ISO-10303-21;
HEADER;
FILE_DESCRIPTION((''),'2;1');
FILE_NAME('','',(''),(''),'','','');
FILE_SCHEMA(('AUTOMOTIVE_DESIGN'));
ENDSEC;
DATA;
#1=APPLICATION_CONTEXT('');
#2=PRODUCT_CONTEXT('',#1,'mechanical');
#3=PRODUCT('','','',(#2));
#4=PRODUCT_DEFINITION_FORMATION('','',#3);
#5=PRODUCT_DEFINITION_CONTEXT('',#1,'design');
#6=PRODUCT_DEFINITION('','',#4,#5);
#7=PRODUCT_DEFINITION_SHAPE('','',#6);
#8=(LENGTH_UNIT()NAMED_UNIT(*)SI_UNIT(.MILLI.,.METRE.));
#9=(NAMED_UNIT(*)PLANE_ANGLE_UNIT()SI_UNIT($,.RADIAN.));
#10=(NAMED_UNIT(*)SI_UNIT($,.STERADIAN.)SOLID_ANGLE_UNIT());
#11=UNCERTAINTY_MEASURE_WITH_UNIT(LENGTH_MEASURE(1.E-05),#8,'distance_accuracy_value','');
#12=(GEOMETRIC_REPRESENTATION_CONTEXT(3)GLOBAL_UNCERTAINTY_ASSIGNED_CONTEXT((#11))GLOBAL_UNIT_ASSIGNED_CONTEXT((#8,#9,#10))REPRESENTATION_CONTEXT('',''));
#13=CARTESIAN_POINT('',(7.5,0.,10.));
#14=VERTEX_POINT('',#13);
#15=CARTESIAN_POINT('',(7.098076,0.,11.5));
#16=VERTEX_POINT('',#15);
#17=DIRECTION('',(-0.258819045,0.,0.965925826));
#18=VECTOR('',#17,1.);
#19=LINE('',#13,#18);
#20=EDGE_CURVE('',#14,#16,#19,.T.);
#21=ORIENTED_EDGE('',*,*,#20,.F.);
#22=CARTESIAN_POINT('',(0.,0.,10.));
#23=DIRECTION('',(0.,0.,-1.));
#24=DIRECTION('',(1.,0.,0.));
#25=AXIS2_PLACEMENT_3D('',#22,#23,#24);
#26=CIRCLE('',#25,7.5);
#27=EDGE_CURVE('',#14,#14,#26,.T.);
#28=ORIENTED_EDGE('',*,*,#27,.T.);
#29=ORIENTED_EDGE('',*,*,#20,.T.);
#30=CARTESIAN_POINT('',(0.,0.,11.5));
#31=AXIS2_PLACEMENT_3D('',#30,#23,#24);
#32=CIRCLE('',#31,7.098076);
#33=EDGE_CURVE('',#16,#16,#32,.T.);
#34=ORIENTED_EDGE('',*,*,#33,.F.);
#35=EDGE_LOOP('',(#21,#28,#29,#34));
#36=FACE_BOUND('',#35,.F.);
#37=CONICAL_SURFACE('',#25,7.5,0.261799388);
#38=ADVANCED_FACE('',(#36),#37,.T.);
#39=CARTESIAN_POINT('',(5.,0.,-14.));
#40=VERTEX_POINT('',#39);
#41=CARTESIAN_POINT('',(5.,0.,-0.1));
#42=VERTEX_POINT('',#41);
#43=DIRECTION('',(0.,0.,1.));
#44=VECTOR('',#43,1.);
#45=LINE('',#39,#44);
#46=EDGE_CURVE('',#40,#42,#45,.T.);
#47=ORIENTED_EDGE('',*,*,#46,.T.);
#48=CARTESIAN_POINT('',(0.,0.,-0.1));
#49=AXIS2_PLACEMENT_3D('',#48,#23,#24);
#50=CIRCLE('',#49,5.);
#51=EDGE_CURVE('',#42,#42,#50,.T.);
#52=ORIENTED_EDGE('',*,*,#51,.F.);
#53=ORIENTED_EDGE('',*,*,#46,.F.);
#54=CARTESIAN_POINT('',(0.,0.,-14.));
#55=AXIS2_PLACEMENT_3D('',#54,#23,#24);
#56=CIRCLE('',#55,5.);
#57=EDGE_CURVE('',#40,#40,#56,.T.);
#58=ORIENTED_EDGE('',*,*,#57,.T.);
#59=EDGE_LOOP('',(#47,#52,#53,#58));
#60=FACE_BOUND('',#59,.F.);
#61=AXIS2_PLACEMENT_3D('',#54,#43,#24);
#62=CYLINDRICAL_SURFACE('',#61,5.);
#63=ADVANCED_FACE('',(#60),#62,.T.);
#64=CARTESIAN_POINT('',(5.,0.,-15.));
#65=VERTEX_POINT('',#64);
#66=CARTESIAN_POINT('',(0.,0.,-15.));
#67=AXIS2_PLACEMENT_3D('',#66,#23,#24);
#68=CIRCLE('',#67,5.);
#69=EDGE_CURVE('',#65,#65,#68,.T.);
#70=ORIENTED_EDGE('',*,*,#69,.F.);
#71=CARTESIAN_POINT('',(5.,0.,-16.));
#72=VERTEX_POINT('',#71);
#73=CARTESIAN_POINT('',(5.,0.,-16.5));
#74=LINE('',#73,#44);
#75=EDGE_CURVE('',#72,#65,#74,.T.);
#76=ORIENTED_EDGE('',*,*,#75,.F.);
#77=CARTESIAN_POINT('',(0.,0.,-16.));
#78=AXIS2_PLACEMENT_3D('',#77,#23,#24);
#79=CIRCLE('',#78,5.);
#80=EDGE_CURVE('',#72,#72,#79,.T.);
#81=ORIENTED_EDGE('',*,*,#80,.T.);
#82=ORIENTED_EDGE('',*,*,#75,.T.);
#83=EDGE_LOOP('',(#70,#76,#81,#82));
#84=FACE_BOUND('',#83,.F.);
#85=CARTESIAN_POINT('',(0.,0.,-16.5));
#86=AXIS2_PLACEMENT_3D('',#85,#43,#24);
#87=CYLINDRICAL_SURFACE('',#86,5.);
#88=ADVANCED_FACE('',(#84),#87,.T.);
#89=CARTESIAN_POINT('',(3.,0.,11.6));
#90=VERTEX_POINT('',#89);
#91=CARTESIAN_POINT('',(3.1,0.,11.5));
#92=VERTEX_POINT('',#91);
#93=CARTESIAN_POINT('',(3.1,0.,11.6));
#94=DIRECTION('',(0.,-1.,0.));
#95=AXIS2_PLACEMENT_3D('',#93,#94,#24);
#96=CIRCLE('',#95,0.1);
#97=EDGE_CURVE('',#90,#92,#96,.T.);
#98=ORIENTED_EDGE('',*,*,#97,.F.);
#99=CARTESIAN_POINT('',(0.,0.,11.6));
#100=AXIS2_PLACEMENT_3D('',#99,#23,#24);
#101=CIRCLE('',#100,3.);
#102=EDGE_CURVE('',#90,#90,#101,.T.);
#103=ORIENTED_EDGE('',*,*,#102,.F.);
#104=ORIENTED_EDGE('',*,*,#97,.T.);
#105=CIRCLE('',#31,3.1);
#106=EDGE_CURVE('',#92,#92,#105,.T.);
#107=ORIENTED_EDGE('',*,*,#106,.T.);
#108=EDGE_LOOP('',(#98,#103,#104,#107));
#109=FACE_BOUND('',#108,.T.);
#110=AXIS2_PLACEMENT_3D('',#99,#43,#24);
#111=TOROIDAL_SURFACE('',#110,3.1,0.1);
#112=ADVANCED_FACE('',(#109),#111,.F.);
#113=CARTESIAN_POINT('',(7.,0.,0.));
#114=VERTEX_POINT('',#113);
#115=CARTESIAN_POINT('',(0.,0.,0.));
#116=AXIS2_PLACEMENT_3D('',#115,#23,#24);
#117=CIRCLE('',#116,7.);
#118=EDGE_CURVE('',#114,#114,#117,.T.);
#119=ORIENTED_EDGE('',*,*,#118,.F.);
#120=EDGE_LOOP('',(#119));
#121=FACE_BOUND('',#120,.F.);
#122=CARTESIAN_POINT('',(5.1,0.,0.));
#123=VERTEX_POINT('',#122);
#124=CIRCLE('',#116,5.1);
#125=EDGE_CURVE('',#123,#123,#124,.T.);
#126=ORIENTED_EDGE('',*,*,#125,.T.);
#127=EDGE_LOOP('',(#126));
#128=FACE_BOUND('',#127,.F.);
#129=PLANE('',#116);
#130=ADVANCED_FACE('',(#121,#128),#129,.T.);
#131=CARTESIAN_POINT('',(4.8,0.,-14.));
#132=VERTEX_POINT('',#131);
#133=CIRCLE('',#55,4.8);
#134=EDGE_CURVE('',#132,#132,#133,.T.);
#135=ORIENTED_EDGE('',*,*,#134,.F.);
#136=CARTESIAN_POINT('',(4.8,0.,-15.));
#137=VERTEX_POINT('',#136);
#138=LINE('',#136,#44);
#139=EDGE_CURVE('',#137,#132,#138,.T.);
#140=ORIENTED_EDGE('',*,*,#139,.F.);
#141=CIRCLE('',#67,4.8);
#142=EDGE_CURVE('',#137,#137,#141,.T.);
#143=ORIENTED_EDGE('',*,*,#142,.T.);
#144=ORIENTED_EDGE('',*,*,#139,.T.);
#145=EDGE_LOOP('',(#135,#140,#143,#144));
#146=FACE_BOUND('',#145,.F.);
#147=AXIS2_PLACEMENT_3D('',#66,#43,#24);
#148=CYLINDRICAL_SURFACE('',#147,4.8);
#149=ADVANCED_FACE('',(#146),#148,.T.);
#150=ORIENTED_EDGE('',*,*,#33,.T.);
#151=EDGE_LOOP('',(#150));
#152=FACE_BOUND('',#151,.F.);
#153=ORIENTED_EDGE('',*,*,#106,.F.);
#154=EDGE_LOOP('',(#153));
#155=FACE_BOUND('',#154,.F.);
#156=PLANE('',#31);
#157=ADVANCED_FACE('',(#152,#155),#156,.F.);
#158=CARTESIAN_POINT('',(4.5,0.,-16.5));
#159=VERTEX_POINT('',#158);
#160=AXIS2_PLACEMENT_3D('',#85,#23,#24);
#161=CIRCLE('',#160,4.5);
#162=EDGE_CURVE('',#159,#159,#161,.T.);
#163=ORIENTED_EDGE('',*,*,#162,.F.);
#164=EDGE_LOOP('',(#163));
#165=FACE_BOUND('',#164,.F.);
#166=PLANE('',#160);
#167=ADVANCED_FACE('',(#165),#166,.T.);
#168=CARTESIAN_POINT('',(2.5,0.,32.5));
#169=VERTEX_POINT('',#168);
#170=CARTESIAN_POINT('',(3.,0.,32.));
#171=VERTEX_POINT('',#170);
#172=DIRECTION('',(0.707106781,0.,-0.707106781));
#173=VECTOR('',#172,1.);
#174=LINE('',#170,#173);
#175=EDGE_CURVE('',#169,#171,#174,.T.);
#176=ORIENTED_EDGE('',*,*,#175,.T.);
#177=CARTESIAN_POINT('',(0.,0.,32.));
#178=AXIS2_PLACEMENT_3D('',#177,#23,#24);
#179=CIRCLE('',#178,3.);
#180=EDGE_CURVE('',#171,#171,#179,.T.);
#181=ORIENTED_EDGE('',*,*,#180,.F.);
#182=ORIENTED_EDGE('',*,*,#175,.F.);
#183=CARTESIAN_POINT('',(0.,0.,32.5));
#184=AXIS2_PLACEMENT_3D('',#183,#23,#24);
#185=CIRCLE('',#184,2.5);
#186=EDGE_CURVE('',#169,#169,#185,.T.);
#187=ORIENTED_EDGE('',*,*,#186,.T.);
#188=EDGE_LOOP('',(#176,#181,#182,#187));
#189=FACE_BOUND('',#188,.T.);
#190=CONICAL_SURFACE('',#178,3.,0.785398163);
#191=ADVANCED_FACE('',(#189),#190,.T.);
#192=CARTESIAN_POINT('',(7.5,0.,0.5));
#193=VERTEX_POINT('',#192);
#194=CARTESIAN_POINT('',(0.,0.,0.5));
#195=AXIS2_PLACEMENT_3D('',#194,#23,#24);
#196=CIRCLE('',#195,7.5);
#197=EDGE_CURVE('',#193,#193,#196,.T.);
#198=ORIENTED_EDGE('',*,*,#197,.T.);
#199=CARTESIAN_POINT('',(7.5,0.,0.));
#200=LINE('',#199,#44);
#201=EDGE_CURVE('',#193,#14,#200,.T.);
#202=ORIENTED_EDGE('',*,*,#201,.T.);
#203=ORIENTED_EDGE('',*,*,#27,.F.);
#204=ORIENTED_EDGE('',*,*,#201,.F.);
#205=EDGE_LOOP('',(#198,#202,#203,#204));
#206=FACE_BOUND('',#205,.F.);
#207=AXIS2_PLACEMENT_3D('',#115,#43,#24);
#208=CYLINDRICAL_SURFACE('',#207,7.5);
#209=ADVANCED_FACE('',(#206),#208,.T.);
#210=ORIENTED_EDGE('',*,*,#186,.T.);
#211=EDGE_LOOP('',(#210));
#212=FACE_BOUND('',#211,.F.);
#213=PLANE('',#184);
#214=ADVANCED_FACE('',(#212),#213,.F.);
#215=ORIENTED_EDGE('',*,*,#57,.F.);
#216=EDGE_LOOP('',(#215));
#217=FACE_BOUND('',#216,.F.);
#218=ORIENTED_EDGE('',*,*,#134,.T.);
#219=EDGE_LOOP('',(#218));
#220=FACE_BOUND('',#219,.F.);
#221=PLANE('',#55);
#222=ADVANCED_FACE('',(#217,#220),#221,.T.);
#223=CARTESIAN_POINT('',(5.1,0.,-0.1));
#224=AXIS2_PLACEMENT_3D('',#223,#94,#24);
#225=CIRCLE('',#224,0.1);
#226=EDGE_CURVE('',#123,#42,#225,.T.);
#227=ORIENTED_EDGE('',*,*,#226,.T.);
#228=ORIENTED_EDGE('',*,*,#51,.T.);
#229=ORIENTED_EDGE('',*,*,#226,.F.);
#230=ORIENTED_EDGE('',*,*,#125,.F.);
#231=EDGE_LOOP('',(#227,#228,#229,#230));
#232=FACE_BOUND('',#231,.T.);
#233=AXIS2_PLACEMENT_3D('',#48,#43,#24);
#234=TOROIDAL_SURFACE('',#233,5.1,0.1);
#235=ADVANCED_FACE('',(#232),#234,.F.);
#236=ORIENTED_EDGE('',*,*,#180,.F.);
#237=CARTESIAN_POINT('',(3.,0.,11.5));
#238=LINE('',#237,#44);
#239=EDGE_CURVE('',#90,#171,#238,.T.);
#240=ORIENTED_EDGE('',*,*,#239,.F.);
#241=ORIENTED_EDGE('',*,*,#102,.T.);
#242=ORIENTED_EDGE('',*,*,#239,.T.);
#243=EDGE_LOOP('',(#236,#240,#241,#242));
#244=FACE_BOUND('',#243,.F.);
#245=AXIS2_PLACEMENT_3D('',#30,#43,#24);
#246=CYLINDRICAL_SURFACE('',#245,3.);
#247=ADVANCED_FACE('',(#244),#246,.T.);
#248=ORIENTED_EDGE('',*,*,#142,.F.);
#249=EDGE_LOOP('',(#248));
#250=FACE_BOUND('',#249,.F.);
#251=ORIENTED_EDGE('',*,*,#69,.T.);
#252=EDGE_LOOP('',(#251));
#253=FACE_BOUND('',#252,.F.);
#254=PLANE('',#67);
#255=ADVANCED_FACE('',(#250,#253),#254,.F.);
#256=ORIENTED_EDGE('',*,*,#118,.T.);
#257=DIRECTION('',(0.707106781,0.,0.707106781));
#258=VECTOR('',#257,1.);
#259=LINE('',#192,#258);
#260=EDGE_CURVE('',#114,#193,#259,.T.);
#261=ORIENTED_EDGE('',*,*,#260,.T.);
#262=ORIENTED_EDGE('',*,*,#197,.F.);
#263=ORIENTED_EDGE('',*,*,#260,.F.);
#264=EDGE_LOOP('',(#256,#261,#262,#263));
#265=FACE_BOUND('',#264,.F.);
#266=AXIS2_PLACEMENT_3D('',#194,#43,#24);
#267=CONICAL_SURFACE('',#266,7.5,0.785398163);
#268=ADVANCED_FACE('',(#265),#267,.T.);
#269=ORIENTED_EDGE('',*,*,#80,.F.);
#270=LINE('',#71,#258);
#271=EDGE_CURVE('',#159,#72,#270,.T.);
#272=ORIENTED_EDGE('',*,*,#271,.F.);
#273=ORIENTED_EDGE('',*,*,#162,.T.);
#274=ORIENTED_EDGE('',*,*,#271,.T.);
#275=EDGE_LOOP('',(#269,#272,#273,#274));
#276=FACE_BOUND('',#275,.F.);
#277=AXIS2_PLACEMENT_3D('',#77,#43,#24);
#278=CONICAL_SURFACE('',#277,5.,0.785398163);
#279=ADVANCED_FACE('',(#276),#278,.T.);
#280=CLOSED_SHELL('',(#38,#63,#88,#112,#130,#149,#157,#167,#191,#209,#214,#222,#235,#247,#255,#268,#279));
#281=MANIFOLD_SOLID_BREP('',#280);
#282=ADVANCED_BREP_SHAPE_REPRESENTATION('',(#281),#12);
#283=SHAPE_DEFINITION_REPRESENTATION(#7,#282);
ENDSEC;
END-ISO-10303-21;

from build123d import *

# Parameters (mm, degrees)
F2_SIZE  = 0.5
F3_R     = 0.1
F4_SIZE2 = 0.4019237886
F4_SIZE  = 1.5


with BuildPart() as f1:
    # F0 (on Front) → F1 (revolve)
    with BuildSketch(Plane.XZ):
        Polygon((3, 32.5), (0, 32.5), (0, -16.5), (5, -16.5), (5, -15), (4.8, -15), (4.8, -14), (5, -14), (5, 0), (7.5, 0), (7.5, 11.5), (3, 11.5), align=None)
    revolve(axis=Axis((0, 0, -4.8274807632), (0, 0, -1)))

    # F2
    f2_edges = [f1.edges().sort_by_distance(p)[0] for p in [
        (-5, 0, -16.5),
        (-3, 0, 32.5),
        (-7.5, 0, 0),
    ]]
    chamfer(f2_edges, length=F2_SIZE)

    # F3
    f3_edges = [f1.edges().sort_by_distance(p)[0] for p in [
        (-5, 0, 0),
        (-3, 0, 11.5),
    ]]
    fillet(f3_edges, radius=F3_R)

    # F4
    f4_edges = [f1.edges().sort_by_distance(p)[0] for p in [
        (-7.5, 0, 11.5),
    ]]
    f4_side = f1.faces().sort_by_distance((-7.5, 0, 6))[0]
    chamfer(f4_edges, length=F4_SIZE, length2=F4_SIZE2, reference=f4_side)


solid = f1.part
